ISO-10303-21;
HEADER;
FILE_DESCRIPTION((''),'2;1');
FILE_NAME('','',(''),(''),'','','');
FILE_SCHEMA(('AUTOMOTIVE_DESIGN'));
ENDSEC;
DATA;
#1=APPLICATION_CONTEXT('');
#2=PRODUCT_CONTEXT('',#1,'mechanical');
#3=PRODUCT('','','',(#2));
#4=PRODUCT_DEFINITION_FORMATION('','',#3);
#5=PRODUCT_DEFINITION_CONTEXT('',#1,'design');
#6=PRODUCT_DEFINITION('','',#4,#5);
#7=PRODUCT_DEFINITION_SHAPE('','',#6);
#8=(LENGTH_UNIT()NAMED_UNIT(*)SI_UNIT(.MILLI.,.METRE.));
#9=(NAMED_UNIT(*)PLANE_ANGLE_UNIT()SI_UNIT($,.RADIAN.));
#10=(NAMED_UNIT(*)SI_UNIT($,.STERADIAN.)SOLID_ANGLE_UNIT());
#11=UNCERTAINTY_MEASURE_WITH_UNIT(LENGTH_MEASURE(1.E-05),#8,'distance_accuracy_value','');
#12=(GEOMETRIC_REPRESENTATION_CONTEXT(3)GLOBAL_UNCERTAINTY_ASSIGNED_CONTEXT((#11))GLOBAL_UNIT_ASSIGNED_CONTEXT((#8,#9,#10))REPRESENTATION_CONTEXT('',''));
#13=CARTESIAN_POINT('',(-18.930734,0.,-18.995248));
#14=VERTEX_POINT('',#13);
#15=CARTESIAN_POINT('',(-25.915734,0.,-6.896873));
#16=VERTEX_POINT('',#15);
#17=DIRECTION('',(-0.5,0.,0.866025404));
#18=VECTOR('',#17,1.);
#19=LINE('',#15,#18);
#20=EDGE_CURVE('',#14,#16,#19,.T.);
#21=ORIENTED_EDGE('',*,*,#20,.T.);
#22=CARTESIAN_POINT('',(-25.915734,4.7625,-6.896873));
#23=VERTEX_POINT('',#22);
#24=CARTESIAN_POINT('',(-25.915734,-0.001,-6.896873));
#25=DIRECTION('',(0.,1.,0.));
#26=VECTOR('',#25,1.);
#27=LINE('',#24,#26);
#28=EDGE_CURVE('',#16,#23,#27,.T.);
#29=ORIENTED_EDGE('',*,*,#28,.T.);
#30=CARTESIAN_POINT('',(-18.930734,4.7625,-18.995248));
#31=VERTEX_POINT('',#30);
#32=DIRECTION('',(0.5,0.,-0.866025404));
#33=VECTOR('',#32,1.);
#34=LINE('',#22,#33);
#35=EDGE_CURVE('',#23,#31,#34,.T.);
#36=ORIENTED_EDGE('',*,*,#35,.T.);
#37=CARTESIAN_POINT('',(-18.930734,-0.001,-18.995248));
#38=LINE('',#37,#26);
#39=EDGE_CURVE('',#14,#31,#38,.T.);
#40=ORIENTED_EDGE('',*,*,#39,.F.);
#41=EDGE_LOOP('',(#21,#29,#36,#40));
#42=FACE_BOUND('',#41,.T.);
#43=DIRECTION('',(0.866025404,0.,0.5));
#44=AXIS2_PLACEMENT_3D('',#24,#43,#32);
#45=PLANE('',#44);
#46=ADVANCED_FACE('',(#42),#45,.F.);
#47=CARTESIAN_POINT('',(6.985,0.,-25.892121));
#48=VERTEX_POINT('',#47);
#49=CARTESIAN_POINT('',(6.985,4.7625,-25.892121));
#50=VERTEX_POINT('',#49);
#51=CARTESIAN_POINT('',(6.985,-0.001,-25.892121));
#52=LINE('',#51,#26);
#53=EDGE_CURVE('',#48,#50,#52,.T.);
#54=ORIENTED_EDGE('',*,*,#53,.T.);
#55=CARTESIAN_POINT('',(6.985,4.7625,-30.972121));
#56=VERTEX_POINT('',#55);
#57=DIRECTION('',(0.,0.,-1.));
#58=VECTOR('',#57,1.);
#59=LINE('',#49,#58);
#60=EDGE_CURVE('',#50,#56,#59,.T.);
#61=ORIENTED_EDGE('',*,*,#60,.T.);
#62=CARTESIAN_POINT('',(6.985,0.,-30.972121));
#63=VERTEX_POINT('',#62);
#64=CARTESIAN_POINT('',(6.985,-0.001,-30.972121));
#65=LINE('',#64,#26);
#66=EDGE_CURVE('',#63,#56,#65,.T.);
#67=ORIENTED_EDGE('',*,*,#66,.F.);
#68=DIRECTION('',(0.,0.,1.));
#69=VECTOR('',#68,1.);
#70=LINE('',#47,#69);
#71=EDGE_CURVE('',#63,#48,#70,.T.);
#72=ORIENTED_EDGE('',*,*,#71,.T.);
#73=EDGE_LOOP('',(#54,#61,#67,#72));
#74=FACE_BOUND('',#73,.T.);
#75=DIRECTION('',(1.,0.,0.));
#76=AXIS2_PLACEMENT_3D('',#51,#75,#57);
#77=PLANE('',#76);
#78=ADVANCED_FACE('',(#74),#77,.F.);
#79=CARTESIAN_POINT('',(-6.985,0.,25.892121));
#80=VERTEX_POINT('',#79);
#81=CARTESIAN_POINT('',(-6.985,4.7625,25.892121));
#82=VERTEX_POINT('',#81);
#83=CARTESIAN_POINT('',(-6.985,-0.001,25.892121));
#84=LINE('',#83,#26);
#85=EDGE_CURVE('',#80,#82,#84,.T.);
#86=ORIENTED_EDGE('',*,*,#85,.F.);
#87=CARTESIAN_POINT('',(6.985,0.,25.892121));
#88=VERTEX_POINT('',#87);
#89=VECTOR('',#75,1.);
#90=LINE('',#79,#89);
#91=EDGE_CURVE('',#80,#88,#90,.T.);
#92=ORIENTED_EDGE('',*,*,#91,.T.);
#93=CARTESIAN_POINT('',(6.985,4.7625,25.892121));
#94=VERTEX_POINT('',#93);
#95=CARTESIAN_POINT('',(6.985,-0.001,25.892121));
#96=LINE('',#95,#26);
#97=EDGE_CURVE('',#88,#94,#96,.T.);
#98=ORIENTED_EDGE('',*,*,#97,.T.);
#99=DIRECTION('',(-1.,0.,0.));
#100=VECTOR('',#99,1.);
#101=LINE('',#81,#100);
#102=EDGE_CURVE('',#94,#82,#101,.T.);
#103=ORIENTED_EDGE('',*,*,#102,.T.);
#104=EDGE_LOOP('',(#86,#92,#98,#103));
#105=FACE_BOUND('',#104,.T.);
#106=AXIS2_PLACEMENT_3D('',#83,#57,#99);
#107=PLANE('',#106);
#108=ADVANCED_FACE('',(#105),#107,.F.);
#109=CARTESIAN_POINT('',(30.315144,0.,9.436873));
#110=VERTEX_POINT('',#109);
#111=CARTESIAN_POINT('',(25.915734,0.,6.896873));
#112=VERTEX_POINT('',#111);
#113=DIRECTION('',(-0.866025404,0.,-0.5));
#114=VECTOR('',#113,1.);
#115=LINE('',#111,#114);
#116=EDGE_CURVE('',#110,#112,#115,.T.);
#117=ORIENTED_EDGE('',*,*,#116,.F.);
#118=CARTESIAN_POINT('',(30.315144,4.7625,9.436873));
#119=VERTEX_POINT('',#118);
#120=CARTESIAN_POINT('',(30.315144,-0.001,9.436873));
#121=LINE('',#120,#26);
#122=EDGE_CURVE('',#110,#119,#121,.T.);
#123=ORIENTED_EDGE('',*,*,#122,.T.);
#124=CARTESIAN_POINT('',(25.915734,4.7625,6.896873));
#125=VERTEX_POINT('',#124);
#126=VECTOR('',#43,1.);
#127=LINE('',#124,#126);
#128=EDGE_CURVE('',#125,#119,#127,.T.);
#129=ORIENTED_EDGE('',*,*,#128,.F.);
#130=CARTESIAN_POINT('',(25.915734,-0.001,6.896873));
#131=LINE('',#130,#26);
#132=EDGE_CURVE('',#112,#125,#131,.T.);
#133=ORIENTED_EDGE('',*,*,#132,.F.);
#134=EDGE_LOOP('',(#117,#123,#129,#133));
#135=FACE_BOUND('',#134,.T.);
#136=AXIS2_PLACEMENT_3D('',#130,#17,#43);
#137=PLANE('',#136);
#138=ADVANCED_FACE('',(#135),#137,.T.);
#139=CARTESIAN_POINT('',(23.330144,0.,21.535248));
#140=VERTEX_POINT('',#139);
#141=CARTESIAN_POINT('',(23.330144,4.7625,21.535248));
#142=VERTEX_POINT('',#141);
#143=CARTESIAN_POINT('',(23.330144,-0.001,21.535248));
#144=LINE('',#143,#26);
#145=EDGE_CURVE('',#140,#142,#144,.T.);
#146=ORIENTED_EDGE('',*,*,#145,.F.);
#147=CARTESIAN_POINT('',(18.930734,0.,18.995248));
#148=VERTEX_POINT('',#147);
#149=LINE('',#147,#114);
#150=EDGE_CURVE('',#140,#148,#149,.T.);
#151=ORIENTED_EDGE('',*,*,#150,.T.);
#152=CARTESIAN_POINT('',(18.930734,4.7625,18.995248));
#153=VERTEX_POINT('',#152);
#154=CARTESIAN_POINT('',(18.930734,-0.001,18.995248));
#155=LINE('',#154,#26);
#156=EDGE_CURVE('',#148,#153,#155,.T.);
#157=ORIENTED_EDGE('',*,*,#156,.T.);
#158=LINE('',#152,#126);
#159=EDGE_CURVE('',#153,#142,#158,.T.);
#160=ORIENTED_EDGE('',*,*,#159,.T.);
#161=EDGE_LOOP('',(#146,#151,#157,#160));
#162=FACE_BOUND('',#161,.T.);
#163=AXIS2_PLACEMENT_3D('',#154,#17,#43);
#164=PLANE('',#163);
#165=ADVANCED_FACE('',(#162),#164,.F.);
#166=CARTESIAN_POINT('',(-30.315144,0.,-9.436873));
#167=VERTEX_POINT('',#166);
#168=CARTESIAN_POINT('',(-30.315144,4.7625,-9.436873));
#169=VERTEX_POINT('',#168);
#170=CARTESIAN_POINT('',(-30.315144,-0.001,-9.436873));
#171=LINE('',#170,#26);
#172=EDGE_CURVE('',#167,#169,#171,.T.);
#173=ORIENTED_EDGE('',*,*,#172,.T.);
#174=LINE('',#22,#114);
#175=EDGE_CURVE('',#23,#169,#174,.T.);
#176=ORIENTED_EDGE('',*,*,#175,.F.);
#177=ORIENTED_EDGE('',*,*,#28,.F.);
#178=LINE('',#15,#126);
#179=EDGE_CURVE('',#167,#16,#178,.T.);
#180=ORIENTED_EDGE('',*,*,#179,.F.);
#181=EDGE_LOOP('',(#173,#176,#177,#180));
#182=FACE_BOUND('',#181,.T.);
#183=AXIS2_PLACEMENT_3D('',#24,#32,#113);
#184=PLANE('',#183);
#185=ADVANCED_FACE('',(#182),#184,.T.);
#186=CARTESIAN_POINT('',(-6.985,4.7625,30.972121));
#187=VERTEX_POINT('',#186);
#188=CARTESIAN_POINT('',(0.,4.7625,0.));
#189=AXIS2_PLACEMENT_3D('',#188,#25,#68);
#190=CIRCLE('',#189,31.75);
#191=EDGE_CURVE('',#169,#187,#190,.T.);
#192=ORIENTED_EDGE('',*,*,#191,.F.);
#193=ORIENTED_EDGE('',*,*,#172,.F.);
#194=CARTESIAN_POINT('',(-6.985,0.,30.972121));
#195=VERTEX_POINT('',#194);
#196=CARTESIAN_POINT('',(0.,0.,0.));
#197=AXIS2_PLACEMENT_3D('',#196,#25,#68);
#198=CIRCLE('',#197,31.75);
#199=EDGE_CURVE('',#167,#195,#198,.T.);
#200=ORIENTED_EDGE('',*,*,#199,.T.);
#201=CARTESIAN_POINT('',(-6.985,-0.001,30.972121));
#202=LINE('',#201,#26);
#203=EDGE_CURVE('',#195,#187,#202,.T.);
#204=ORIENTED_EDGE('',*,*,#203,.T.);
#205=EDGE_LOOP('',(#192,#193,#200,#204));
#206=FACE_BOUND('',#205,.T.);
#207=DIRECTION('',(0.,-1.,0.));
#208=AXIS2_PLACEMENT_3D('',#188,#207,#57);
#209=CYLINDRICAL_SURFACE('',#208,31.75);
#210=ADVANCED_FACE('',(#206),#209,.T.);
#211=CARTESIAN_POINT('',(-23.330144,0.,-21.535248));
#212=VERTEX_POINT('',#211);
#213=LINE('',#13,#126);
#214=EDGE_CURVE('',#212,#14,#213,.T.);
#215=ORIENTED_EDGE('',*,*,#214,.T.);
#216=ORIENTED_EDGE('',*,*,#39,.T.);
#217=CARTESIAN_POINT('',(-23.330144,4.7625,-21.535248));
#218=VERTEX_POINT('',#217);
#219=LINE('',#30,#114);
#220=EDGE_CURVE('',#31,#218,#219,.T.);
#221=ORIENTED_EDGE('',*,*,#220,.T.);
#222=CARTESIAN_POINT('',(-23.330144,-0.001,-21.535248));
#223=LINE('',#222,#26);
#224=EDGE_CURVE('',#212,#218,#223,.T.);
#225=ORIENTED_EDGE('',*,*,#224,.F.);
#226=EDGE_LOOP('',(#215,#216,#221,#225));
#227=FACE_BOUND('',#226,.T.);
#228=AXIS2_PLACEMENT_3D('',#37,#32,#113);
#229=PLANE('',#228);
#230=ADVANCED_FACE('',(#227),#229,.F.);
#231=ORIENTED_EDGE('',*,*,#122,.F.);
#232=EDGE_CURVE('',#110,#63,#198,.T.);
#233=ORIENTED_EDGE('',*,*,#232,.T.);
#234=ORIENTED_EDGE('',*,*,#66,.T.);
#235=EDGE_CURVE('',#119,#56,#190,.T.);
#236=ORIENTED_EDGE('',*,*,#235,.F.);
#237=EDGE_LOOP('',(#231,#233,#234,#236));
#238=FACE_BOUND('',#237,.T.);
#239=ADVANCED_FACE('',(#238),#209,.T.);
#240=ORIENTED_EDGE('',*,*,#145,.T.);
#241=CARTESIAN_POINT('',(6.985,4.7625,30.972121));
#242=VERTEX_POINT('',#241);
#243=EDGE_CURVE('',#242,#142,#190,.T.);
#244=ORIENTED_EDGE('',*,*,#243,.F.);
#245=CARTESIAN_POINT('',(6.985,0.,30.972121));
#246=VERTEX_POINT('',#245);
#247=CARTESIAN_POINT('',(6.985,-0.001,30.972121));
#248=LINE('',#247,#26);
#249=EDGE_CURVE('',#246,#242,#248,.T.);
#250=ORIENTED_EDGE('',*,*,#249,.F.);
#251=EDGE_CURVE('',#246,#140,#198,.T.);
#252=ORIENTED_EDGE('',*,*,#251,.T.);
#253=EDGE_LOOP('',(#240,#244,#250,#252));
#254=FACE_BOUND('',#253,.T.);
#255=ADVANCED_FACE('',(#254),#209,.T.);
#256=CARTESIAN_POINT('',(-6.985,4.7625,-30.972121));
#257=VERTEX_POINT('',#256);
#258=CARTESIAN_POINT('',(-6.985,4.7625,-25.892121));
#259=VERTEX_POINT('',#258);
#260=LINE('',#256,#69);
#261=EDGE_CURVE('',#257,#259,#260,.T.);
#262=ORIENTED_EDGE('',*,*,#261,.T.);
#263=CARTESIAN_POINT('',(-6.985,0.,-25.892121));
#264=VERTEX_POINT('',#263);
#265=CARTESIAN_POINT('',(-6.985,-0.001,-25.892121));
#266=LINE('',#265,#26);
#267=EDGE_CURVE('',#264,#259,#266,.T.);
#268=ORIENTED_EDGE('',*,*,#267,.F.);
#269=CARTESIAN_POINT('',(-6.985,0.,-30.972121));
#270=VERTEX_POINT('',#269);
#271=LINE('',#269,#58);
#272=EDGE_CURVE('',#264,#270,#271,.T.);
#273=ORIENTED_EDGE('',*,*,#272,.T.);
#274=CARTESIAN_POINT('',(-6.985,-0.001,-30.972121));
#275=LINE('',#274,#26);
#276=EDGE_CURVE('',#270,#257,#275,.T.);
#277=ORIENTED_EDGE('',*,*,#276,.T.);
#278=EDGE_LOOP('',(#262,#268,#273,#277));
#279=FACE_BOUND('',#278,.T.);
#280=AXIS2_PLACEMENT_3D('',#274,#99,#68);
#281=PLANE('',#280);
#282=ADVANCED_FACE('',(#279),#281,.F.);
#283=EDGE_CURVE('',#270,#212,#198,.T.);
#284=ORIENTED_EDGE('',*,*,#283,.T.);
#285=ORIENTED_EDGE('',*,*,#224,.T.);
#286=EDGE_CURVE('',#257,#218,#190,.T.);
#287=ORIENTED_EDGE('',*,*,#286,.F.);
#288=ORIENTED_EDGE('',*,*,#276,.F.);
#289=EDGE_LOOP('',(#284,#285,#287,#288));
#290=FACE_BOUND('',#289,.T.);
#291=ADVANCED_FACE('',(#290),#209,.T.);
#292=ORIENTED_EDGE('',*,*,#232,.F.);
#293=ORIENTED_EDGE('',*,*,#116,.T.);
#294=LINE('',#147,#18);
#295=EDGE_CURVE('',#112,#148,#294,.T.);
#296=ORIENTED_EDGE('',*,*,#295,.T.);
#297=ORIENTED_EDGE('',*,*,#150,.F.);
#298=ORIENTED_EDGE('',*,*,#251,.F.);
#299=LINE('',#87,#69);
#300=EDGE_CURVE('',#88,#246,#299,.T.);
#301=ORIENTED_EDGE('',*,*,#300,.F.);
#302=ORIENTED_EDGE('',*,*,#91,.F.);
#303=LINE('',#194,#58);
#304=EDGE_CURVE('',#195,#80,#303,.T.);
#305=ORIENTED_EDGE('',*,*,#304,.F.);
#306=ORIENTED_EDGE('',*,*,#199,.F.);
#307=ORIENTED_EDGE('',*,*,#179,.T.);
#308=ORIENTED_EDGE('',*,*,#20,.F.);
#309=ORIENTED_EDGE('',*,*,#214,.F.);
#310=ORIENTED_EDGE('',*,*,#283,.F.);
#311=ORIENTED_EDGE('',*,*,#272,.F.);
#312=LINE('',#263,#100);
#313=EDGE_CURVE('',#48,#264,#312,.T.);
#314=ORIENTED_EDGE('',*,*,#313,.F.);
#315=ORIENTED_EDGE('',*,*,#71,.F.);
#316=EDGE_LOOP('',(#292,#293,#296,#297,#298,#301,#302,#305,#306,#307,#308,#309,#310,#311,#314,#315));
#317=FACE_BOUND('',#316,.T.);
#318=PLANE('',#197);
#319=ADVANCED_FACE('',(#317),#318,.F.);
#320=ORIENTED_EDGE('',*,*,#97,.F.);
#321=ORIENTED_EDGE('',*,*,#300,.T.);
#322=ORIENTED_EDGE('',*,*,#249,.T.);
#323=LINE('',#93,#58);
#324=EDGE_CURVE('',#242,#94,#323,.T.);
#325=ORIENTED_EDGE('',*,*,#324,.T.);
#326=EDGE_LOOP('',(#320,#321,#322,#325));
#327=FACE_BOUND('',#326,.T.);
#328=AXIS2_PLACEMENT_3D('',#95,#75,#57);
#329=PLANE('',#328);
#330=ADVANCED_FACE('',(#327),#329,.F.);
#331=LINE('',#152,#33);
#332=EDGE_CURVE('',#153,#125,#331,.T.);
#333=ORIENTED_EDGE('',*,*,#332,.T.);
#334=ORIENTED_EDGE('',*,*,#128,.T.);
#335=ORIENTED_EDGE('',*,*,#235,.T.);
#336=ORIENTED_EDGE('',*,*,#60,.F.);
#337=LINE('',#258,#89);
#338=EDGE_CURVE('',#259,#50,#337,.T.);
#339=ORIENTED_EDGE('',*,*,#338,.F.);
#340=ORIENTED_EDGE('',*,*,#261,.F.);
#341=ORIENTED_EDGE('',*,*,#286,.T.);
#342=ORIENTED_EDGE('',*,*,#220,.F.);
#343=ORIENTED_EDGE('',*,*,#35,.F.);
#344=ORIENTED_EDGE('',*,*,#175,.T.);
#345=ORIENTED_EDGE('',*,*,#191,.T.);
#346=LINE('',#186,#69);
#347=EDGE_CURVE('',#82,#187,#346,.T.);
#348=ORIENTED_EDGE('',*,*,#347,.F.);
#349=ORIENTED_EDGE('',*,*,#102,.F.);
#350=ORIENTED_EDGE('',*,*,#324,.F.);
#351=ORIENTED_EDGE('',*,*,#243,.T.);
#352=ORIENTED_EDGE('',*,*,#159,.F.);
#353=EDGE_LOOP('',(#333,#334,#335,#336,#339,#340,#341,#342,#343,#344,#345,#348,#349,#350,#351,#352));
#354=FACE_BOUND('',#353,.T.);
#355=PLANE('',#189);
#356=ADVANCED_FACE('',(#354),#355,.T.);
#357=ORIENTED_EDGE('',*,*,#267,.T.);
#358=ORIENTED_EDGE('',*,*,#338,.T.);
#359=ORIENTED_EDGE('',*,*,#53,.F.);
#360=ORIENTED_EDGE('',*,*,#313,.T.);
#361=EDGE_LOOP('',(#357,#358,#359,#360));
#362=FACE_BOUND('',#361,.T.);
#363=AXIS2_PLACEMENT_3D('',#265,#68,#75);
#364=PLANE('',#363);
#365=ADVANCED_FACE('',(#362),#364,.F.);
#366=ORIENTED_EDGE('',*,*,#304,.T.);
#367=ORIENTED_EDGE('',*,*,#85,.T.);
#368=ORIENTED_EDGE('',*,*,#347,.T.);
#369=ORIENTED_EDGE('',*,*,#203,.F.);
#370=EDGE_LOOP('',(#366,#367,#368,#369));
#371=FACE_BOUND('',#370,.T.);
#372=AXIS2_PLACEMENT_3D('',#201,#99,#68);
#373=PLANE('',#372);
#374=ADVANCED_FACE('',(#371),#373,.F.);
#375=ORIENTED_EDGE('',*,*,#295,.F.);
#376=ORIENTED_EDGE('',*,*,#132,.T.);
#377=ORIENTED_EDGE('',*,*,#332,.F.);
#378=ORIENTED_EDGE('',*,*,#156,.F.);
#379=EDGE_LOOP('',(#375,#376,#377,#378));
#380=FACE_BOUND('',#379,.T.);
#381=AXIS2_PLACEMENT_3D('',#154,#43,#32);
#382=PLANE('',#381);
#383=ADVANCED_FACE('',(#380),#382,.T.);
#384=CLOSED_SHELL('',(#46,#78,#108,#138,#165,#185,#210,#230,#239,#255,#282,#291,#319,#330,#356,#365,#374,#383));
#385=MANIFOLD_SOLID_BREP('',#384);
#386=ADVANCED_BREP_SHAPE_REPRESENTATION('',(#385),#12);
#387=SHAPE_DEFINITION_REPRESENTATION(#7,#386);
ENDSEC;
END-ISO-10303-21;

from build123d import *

# Parameters (mm, degrees)
SKETCH1_R           = 31.75
BOSS_EXTRUDE1_DEPTH = 4.7625
CUT_EXTRUDE1_REACH  = 47.153
CUT_EXTRUDE2_REACH  = 46.61


with BuildPart() as part:
    # Sketch1 → Boss-Extrude1 (new body)
    with BuildSketch(Plane(origin=(0, 0, 0), x_dir=(1, 0, 0), z_dir=(0, 1, 0))):
        with Locations(Location((0, 0, 0), (0, 0, 90))):
            Circle(SKETCH1_R)
    extrude(amount=BOSS_EXTRUDE1_DEPTH)

    # Sketch2 → Cut-Extrude1 (cut, up to next)
    with BuildSketch(Plane(origin=(0, 4.7625, 0), x_dir=(1, 0, 0), z_dir=(0, 1, 0)), mode=Mode.PRIVATE) as cut_extrude1_sk1:
        with BuildLine():
            Line((-6.985, -30.972120932), (-6.985, -25.892120932))
            Line((-6.985, -25.892120932), (6.985, -25.892120932))
            Line((6.985, -25.892120932), (6.985, -30.972120932))
            ThreePointArc((6.985, -30.972120932), (0, -31.75), (-6.985, -30.972120932))
        make_face()
    cut_extrude1_tool1 = extrude(cut_extrude1_sk1.sketch, amount=-CUT_EXTRUDE1_REACH, mode=Mode.PRIVATE) & part.part
    # Sketch2 → Cut-Extrude1 (cut, up to next)
    with BuildSketch(Plane(origin=(0, 4.7625, 0), x_dir=(1, 0, 0), z_dir=(0, 1, 0)), mode=Mode.PRIVATE) as cut_extrude1_sk2:
        with BuildLine():
            Line((-6.985, 30.972120932), (-6.985, 25.892120932))
            Line((-6.985, 25.892120932), (6.985, 25.892120932))
            Line((6.985, 25.892120932), (6.985, 30.972120932))
            ThreePointArc((6.985, 30.972120932), (0, 31.75), (-6.985, 30.972120932))
        make_face()
    cut_extrude1_tool2 = extrude(cut_extrude1_sk2.sketch, amount=-CUT_EXTRUDE1_REACH, mode=Mode.PRIVATE) & part.part
    add(cut_extrude1_tool1.solids().sort_by_distance((0, 4.7625, 28.696841))[0], mode=Mode.SUBTRACT)
    add(cut_extrude1_tool2.solids().sort_by_distance((0, 4.7625, -28.696841))[0], mode=Mode.SUBTRACT)

    # Sketch3 → Cut-Extrude2 (cut, up to next)
    with BuildSketch(Plane(origin=(0, 4.7625, 0), x_dir=(1, 0, 0), z_dir=(0, 1, 0)), mode=Mode.PRIVATE) as cut_extrude2_sk1:
        with BuildLine():
            Line((18.930734485, -18.995247911), (25.915734485, -6.89687302))
            Line((25.915734485, -6.89687302), (30.315143536, -9.43687302))
            ThreePointArc((30.315143536, -9.43687302), (27.49630657, -15.875), (23.330143536, -21.535247911))
            Line((23.330143536, -21.535247911), (18.930734485, -18.995247911))
        make_face()
    cut_extrude2_tool1 = extrude(cut_extrude2_sk1.sketch, amount=-CUT_EXTRUDE2_REACH, mode=Mode.PRIVATE) & part.part
    # Sketch3 → Cut-Extrude2 (cut, up to next)
    with BuildSketch(Plane(origin=(0, 4.7625, 0), x_dir=(1, 0, 0), z_dir=(0, 1, 0)), mode=Mode.PRIVATE) as cut_extrude2_sk2:
        with BuildLine():
            Line((-25.915734485, 6.89687302), (-30.315143536, 9.43687302))
            ThreePointArc((-30.315143536, 9.43687302), (-27.49630657, 15.875), (-23.330143536, 21.535247911))
            Line((-23.330143536, 21.535247911), (-18.930734485, 18.995247911))
            Line((-18.930734485, 18.995247911), (-25.915734485, 6.89687302))
        make_face()
    cut_extrude2_tool2 = extrude(cut_extrude2_sk2.sketch, amount=-CUT_EXTRUDE2_REACH, mode=Mode.PRIVATE) & part.part
    add(cut_extrude2_tool1.solids().sort_by_distance((24.852194, 4.7625, 14.348421))[0], mode=Mode.SUBTRACT)
    add(cut_extrude2_tool2.solids().sort_by_distance((-24.852194, 4.7625, -14.348421))[0], mode=Mode.SUBTRACT)


solid = part.part
